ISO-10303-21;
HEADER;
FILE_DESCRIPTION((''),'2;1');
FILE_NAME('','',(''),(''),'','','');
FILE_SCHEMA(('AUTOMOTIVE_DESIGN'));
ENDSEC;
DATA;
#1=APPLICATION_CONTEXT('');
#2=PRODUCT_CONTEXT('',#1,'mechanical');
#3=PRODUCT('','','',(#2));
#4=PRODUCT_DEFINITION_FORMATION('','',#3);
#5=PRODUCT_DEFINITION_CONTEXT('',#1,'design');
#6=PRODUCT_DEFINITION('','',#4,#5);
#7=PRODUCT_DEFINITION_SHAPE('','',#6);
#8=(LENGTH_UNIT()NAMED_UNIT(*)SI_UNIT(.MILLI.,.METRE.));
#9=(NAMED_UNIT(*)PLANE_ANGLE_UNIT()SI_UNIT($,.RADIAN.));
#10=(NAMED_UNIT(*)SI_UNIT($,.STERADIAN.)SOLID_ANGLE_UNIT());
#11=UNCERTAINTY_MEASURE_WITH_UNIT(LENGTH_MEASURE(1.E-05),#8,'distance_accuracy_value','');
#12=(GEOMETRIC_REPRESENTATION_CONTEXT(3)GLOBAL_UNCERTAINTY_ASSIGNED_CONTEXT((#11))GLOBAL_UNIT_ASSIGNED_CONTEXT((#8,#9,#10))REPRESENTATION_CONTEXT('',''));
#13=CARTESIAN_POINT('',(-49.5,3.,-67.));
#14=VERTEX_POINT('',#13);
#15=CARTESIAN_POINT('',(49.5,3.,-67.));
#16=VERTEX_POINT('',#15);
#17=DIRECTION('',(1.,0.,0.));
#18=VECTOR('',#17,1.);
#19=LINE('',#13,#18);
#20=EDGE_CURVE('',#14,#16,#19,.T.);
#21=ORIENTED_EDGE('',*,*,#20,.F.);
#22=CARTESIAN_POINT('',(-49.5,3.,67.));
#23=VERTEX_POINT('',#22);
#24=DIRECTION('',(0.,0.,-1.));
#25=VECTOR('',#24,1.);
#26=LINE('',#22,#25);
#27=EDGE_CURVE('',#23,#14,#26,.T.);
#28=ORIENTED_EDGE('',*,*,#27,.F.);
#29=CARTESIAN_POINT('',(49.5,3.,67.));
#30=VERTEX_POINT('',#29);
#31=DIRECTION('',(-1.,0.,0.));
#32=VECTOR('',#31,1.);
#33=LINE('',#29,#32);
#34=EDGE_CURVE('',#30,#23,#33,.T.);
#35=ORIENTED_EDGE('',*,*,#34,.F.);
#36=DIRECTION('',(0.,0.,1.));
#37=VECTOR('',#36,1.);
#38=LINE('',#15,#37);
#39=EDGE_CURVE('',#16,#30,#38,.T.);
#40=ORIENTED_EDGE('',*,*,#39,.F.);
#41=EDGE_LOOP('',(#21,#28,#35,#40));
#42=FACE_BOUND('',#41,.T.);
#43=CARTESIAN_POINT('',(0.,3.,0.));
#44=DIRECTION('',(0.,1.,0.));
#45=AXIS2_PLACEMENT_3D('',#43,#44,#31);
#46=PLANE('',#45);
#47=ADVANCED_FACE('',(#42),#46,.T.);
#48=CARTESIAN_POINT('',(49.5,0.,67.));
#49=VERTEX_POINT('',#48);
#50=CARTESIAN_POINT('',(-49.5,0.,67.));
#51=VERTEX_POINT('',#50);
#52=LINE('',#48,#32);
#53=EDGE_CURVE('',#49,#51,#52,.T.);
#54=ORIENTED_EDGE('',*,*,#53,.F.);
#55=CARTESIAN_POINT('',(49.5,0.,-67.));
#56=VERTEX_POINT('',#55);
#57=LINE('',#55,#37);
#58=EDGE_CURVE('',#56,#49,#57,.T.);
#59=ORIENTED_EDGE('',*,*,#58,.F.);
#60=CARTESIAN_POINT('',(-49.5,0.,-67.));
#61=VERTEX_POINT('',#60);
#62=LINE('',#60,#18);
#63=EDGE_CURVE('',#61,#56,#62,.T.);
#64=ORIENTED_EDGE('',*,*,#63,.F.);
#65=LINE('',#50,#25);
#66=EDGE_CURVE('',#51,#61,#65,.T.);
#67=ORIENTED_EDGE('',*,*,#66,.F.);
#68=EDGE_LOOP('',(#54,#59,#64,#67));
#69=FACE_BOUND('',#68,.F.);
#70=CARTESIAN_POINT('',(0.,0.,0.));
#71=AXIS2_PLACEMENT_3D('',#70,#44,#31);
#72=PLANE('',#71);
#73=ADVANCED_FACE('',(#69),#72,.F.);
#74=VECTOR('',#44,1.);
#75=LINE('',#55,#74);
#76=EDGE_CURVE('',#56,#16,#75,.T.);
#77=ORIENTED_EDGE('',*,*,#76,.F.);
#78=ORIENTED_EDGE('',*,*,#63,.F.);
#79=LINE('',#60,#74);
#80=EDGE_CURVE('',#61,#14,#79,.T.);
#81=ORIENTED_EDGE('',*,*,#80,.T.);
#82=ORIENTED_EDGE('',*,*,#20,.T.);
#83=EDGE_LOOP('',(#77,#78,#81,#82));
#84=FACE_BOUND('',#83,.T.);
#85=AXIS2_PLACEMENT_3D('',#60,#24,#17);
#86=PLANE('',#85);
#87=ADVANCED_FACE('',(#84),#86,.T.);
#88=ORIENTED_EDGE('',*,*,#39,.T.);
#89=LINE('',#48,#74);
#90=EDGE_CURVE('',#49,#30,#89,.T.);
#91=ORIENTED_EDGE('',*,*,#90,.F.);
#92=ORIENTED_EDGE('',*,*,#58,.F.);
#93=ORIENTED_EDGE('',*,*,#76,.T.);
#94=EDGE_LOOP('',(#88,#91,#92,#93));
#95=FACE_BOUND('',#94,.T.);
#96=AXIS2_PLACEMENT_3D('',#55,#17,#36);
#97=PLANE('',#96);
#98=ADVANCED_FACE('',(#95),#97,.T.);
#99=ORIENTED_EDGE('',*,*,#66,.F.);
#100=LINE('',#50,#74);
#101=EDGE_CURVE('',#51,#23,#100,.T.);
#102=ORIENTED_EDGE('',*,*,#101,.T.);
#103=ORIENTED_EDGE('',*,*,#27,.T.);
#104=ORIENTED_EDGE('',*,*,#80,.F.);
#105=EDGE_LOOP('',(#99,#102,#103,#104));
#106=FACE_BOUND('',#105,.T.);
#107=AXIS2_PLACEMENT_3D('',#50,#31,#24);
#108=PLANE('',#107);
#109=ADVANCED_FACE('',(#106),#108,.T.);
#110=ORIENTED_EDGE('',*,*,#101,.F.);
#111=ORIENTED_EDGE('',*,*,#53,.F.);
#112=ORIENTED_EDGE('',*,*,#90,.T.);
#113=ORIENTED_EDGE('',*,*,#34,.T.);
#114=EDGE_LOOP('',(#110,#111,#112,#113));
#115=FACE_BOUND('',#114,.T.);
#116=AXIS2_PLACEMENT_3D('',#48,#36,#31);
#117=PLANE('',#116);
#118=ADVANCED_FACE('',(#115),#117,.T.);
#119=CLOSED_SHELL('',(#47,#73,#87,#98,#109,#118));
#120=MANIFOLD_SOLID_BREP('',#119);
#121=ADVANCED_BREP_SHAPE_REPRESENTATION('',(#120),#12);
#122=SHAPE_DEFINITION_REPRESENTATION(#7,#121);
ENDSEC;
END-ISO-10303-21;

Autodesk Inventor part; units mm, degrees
ref_plane "YZ Plane" through (0, 0, 0) normal (1, 0, 0) x (0, 1, 0)
ref_plane "XZ Plane" through (0, 0, 0) normal (0, 1, 0) x (-1, 0, 0)
ref_plane "XY Plane" through (0, 0, 0) normal (0, 0, 1) x (1, 0, 0)
sketch "Sketch1" plane through (0, 0, 0) normal (0, 1, 0) x (-1, 0, 0)
  line L0 (-49.5, 67) -> (49.5, 67)
  line L1 (49.5, 67) -> (49.5, -67)
  line L2 (49.5, -67) -> (-49.5, -67)
  line L3 (-49.5, -67) -> (-49.5, 67)
  line L4 (-49.5, 67) -> (49.5, -67) construction
  line L5 (49.5, 67) -> (-49.5, -67) construction
  point P0 (0, 0)
  dimension "d0" = 99
  dimension "d1" = 134
extrude "Extrusion1" add sketch "Sketch1" along normal blind 3
properties part number "DoosjeBovenkant" material "Wood (Cherry)"
